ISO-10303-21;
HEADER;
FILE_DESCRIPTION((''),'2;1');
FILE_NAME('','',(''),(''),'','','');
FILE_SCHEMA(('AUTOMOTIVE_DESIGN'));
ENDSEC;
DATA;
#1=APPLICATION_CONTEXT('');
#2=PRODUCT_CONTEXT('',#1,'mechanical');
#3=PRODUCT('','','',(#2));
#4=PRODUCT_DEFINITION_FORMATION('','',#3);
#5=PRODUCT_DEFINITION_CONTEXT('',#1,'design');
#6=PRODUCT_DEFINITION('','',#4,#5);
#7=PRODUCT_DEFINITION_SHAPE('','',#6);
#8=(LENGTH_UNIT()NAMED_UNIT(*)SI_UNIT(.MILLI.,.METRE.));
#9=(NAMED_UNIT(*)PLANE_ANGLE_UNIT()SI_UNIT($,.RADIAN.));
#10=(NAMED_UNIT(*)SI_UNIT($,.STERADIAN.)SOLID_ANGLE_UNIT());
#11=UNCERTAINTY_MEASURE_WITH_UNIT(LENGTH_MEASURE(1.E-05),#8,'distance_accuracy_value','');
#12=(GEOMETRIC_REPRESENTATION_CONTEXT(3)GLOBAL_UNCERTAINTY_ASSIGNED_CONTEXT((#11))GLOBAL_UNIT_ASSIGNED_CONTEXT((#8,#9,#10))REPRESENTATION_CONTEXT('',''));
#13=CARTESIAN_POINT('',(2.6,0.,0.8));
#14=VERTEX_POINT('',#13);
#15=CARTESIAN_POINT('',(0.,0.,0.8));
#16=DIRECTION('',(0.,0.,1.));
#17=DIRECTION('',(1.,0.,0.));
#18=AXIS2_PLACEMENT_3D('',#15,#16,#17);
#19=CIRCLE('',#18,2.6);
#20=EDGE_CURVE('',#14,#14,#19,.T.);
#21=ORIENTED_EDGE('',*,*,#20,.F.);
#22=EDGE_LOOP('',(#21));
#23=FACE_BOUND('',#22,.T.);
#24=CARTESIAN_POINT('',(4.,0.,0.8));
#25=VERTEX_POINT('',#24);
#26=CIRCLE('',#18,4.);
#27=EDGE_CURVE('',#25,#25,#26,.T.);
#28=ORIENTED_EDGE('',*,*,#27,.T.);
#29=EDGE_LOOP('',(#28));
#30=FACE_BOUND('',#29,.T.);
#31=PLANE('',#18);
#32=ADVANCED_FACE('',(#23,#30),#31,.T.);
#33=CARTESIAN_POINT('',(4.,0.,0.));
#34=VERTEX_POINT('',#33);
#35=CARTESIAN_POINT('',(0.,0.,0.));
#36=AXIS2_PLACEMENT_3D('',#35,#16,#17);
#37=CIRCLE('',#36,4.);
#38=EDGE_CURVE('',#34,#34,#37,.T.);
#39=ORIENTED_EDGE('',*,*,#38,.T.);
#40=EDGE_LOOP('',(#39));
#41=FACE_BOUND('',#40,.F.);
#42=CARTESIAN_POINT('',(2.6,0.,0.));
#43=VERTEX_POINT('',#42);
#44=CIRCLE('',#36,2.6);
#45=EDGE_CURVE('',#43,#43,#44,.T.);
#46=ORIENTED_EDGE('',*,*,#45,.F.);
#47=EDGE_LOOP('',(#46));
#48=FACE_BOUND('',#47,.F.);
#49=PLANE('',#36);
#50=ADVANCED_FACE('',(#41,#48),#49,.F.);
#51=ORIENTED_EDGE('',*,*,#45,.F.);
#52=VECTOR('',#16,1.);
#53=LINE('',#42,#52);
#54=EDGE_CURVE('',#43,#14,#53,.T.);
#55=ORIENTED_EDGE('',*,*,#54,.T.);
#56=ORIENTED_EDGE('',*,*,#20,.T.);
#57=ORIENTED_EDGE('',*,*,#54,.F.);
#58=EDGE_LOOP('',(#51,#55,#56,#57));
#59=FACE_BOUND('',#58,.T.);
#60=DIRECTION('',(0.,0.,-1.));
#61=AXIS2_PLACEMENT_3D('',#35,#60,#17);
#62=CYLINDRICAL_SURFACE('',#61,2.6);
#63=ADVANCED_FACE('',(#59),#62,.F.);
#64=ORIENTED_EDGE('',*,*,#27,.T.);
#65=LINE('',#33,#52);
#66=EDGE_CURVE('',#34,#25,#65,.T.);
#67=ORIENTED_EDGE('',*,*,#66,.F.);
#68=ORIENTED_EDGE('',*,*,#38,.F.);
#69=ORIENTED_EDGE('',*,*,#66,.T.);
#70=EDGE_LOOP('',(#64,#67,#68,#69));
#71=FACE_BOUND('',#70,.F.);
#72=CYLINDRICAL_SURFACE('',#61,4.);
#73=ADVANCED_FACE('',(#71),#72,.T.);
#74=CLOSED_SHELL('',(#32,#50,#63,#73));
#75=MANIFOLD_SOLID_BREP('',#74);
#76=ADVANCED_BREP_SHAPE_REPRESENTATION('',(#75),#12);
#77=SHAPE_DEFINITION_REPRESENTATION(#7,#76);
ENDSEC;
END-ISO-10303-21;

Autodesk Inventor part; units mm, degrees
ref_plane "YZ Plane" through (0, 0, 0) normal (1, 0, 0) x (0, 1, 0)
ref_plane "XZ Plane" through (0, 0, 0) normal (0, 1, 0) x (-1, 0, 0)
ref_plane "XY Plane" through (0, 0, 0) normal (0, 0, 1) x (1, 0, 0)
sketch "スケッチ1" plane through (0, 0, 0) normal (0, 0, 1) x (1, 0, 0)
  circle A0 centre (0, 0) radius 4
  circle A1 centre (0, 0) radius 2.6
  dimension "d0" = 8
  dimension "d1" = 5.2
extrude "押し出し1" add sketch "スケッチ1" along normal blind 0.8
properties part number "足首_独立ピッチ_1_3" material "アセタール樹脂、黒"
